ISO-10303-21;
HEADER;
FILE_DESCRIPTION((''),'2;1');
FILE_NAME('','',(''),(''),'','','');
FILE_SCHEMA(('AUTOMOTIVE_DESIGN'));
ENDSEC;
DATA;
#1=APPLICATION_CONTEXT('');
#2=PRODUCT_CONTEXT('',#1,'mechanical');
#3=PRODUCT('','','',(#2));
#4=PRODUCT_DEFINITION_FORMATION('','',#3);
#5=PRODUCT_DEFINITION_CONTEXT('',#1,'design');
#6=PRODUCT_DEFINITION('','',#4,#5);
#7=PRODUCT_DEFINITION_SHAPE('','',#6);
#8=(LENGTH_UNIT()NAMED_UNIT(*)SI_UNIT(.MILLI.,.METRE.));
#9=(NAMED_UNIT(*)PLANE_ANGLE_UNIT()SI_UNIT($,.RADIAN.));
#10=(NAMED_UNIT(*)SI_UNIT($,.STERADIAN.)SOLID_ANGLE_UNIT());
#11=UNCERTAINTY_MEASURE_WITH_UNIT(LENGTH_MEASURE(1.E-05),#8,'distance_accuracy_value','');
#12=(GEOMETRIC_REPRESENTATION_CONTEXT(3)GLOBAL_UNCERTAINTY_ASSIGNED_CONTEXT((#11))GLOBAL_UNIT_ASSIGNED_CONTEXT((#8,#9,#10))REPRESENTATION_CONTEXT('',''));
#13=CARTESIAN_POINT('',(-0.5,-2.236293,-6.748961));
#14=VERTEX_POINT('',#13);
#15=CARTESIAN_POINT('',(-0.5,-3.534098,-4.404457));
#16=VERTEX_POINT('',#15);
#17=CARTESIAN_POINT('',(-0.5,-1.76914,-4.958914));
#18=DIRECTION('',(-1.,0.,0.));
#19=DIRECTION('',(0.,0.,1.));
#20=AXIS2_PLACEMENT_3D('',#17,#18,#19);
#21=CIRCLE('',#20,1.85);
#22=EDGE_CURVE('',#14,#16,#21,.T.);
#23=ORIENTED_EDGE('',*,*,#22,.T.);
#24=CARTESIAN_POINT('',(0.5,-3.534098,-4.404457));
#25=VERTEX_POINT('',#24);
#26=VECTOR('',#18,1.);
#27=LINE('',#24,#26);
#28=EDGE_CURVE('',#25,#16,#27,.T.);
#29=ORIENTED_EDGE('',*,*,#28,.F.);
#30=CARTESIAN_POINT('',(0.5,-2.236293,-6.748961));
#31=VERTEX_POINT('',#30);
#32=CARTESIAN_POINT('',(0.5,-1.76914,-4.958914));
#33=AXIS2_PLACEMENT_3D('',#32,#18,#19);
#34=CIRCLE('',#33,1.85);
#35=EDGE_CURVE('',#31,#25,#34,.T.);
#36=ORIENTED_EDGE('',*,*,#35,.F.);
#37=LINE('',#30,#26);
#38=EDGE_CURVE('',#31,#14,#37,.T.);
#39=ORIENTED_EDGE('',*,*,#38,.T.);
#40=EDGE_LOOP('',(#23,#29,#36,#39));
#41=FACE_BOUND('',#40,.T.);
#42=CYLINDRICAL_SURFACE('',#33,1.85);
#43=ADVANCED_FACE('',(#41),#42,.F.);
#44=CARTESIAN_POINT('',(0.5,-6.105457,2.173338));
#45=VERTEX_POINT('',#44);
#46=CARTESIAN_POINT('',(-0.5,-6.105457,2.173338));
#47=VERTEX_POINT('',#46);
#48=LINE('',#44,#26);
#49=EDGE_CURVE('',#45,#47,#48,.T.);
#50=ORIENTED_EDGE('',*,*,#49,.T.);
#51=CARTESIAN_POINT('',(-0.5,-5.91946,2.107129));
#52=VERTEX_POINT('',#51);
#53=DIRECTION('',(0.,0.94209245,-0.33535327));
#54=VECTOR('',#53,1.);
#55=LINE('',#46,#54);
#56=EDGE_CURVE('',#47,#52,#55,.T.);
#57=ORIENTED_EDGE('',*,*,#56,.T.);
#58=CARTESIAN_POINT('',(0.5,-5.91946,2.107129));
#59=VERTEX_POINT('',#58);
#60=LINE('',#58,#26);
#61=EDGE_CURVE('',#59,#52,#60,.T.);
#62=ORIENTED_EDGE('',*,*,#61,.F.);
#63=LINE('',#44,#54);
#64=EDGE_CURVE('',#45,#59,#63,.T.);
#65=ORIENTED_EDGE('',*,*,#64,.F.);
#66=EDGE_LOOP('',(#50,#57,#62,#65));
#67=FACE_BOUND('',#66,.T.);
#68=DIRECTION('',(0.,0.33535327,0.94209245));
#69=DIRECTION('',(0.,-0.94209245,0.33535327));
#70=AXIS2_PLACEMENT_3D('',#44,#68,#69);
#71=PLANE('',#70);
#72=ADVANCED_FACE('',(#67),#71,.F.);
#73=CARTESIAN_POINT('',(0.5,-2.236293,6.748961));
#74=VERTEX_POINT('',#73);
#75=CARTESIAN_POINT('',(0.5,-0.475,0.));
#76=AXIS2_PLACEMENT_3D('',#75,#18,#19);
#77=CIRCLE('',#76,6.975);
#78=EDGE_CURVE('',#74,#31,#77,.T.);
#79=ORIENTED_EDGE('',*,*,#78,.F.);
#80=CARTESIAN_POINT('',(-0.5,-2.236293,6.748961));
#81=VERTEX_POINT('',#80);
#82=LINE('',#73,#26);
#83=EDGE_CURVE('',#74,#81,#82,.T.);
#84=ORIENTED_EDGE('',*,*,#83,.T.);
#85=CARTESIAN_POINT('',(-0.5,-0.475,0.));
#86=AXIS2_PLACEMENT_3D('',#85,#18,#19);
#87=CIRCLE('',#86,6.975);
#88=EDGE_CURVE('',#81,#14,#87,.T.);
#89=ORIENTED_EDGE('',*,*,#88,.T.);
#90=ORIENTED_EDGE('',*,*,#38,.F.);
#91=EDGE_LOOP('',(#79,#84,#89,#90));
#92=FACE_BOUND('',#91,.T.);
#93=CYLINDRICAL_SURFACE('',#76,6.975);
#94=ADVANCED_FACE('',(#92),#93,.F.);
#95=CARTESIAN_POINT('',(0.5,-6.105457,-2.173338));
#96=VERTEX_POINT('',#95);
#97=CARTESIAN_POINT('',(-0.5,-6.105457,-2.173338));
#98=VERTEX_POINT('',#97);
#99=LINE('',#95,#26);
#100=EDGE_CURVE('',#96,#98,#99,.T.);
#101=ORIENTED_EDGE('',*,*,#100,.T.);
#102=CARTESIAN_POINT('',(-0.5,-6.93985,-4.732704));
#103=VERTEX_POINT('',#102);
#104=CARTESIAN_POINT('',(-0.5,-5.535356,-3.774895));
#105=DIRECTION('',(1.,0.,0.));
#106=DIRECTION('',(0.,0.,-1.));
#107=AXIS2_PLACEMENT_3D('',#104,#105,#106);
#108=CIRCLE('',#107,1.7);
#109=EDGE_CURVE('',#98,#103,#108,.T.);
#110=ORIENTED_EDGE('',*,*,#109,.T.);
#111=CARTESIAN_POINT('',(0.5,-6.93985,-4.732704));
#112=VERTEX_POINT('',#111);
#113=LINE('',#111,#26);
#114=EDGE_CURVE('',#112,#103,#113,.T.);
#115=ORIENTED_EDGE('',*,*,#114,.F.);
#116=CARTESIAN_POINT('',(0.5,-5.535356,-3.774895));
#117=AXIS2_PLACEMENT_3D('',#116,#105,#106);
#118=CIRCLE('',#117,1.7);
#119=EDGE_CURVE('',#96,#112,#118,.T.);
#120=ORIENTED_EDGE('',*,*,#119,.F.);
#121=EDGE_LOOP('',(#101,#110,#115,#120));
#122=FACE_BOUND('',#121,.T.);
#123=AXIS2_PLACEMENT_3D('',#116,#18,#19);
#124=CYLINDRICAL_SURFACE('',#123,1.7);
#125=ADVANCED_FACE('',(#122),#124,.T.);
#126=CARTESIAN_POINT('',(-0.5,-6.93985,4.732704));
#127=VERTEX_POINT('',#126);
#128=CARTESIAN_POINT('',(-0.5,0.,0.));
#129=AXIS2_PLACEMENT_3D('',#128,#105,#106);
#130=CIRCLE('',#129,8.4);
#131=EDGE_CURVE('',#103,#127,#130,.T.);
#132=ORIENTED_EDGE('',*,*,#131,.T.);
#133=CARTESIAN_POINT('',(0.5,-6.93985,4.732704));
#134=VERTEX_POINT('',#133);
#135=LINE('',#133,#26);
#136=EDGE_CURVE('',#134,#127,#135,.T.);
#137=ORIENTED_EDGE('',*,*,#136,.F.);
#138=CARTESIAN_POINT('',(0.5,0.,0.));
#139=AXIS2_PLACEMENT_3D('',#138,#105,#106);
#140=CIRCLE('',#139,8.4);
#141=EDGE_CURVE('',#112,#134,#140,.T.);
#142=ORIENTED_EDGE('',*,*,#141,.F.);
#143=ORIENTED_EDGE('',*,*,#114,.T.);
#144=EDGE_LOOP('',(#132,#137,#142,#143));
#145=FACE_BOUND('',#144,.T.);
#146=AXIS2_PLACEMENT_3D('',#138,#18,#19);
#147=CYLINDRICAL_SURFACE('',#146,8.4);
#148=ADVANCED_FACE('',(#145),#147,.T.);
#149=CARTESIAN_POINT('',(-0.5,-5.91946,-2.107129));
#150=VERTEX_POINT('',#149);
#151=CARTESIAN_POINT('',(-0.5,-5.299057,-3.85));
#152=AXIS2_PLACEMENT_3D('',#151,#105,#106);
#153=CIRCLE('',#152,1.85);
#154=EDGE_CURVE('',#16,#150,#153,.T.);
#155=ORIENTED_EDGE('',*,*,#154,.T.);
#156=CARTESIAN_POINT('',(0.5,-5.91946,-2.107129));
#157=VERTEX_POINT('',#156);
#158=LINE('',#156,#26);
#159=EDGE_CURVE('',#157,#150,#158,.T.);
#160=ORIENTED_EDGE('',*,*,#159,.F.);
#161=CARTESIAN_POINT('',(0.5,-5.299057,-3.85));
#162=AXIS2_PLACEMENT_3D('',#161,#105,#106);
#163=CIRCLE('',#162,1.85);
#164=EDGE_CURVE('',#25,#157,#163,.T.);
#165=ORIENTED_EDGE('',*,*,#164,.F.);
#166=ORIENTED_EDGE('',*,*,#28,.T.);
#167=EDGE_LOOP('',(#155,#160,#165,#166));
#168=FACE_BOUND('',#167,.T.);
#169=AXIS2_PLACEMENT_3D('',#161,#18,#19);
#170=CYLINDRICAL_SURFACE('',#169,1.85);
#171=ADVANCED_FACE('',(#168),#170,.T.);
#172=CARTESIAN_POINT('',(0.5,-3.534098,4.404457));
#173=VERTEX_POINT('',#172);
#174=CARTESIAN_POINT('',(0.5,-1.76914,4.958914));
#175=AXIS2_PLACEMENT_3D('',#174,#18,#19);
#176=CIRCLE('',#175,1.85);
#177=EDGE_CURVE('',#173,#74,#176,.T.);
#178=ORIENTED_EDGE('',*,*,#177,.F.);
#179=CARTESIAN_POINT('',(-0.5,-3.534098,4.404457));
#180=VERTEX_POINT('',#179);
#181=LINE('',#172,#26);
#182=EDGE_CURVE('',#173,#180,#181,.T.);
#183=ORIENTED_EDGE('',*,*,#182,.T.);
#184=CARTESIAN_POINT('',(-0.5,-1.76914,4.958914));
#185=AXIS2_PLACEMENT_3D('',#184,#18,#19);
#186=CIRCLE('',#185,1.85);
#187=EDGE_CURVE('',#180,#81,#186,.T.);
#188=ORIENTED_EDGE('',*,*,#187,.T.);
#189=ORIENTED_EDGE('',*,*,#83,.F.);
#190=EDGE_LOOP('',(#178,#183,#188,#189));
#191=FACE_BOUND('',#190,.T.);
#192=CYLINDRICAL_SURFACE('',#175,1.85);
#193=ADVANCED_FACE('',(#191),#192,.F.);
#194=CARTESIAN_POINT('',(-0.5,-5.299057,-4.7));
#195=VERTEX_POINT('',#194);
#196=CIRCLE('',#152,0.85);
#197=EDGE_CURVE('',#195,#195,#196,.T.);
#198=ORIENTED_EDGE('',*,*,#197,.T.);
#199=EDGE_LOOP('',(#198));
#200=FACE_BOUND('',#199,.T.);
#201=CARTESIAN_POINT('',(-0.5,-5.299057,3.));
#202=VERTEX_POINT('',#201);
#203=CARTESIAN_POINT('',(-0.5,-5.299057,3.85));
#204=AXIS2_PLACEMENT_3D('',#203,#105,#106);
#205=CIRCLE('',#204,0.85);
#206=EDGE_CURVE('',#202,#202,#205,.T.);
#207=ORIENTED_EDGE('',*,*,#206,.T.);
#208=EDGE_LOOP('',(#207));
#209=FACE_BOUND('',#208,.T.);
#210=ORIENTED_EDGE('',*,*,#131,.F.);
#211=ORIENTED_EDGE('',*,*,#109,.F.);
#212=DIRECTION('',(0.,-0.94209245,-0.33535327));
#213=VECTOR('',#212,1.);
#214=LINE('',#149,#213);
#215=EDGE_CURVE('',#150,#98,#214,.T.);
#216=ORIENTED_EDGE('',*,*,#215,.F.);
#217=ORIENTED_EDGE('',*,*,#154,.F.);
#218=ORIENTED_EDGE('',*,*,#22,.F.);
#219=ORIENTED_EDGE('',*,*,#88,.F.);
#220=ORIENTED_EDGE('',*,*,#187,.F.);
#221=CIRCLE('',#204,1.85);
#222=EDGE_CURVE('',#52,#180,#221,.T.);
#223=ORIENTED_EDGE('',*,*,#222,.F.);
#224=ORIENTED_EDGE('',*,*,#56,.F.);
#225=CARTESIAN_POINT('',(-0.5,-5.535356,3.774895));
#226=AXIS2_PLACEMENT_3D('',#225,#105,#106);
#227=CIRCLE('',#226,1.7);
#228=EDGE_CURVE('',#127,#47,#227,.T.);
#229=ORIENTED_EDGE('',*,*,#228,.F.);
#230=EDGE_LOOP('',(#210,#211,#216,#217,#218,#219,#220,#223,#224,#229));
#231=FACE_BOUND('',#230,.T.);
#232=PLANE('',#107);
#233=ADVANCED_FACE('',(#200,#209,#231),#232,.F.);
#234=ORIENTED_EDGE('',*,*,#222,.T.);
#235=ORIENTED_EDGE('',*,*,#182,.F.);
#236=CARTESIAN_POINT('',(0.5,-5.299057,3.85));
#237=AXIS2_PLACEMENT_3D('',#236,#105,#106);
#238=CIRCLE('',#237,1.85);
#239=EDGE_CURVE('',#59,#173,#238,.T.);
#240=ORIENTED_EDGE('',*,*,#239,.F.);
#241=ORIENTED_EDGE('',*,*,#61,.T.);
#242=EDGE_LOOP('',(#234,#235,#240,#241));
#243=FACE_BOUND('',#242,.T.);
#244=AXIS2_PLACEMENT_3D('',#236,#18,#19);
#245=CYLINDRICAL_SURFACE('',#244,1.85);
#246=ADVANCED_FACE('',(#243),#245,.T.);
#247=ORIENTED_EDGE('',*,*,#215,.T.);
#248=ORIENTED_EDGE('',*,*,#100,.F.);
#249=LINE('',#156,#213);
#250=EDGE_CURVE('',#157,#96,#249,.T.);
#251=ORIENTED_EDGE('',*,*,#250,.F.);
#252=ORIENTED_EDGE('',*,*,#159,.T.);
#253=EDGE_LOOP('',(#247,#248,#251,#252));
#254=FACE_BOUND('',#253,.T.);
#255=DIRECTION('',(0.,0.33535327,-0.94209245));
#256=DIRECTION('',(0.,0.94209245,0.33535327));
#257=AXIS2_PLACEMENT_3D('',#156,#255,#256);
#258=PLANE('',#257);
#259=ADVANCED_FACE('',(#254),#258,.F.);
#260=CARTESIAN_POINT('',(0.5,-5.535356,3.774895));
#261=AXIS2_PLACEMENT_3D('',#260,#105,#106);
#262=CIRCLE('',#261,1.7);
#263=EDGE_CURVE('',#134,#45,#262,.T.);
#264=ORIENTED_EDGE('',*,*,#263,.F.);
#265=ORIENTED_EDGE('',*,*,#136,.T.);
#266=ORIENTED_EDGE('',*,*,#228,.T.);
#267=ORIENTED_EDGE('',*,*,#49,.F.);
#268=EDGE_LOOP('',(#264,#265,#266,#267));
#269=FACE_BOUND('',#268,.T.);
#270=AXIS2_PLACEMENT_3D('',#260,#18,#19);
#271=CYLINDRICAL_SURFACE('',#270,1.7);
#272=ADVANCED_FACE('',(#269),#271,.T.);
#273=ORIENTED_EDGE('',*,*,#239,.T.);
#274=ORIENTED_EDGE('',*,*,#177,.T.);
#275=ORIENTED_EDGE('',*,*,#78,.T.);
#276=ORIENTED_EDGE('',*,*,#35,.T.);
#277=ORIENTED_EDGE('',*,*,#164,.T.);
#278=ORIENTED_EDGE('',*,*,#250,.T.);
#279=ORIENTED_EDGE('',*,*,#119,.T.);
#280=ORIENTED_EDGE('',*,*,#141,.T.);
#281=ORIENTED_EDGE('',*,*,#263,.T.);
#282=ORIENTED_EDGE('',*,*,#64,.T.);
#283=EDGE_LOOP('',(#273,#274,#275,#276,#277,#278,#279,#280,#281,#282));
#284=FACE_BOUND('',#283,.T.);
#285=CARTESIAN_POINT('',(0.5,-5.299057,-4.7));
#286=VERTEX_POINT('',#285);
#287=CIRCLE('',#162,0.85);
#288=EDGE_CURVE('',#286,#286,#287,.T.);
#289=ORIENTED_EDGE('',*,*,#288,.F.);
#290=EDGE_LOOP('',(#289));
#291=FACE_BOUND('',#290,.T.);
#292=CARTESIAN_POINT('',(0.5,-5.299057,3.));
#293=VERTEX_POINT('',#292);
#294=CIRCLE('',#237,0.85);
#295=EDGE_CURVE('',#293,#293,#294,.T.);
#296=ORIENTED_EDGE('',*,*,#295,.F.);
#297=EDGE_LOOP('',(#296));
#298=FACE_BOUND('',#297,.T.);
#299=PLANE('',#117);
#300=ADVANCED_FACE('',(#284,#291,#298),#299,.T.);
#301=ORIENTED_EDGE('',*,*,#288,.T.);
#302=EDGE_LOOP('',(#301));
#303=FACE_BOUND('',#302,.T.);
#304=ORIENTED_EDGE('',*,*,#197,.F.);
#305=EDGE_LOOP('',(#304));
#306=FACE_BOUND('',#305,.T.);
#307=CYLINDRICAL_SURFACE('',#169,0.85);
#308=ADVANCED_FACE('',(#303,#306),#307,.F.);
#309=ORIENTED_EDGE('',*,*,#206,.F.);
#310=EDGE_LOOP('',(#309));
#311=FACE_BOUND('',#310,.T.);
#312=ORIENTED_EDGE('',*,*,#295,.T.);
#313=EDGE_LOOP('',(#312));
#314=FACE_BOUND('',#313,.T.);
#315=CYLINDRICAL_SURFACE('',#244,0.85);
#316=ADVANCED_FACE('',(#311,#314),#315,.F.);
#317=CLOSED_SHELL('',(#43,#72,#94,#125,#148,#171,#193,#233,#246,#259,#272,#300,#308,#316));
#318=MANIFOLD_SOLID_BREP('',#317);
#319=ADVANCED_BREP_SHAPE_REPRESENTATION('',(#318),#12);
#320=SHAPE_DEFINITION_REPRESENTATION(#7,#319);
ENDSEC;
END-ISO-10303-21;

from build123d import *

# Parameters (mm, degrees)
BOSS_EXTRUDE1_DEPTH      = 0.5
BOSS_EXTRUDE1_DEPTH_BACK = 0.5
SKETCH1_R                = 0.85


with BuildPart() as part:
    # Sketch1 → Boss-Extrude1 (new, two sides: drawn at the far end of the back side and taken through both)
    with BuildSketch(Plane(origin=(0, 0, 0), x_dir=(0, 0, -1), z_dir=(1, 0, 0)).offset(-BOSS_EXTRUDE1_DEPTH_BACK)):
        with BuildLine():
            Line((-2.173337586, -6.105456882), (-2.107128968, -5.919460069))
            ThreePointArc((-2.107128968, -5.919460069), (-2.517494945, -4.015728705), (-4.40445692, -3.534098298))
            ThreePointArc((-4.40445692, -3.534098298), (-5.854874371, -3.387705714), (-6.748960786, -2.23629308))
            ThreePointArc((-6.748960786, -2.23629308), (0, 6.5), (6.748960786, -2.23629308))
            ThreePointArc((6.748960786, -2.23629308), (5.854874409, -3.387705693), (4.404457002, -3.534098324))
            ThreePointArc((4.404457002, -3.534098324), (2.517494975, -4.015728674), (2.107128968, -5.919460069))
            Line((2.107128968, -5.919460069), (2.173337586, -6.105456882))
            ThreePointArc((2.173337586, -6.105456882), (3.247964263, -7.151631133), (4.732703867, -6.939849718))
            ThreePointArc((4.732703867, -6.939849718), (0, 8.4), (-4.732703867, -6.939849718))
            ThreePointArc((-4.732703867, -6.939849718), (-3.247964263, -7.151631133), (-2.173337586, -6.105456882))
        make_face()
        with Locations((3.85, -5.29905652)):
            Circle(SKETCH1_R, mode=Mode.SUBTRACT)
        with Locations((-3.85, -5.29905652)):
            Circle(SKETCH1_R, mode=Mode.SUBTRACT)
    extrude(amount=BOSS_EXTRUDE1_DEPTH + BOSS_EXTRUDE1_DEPTH_BACK)


solid = part.part
